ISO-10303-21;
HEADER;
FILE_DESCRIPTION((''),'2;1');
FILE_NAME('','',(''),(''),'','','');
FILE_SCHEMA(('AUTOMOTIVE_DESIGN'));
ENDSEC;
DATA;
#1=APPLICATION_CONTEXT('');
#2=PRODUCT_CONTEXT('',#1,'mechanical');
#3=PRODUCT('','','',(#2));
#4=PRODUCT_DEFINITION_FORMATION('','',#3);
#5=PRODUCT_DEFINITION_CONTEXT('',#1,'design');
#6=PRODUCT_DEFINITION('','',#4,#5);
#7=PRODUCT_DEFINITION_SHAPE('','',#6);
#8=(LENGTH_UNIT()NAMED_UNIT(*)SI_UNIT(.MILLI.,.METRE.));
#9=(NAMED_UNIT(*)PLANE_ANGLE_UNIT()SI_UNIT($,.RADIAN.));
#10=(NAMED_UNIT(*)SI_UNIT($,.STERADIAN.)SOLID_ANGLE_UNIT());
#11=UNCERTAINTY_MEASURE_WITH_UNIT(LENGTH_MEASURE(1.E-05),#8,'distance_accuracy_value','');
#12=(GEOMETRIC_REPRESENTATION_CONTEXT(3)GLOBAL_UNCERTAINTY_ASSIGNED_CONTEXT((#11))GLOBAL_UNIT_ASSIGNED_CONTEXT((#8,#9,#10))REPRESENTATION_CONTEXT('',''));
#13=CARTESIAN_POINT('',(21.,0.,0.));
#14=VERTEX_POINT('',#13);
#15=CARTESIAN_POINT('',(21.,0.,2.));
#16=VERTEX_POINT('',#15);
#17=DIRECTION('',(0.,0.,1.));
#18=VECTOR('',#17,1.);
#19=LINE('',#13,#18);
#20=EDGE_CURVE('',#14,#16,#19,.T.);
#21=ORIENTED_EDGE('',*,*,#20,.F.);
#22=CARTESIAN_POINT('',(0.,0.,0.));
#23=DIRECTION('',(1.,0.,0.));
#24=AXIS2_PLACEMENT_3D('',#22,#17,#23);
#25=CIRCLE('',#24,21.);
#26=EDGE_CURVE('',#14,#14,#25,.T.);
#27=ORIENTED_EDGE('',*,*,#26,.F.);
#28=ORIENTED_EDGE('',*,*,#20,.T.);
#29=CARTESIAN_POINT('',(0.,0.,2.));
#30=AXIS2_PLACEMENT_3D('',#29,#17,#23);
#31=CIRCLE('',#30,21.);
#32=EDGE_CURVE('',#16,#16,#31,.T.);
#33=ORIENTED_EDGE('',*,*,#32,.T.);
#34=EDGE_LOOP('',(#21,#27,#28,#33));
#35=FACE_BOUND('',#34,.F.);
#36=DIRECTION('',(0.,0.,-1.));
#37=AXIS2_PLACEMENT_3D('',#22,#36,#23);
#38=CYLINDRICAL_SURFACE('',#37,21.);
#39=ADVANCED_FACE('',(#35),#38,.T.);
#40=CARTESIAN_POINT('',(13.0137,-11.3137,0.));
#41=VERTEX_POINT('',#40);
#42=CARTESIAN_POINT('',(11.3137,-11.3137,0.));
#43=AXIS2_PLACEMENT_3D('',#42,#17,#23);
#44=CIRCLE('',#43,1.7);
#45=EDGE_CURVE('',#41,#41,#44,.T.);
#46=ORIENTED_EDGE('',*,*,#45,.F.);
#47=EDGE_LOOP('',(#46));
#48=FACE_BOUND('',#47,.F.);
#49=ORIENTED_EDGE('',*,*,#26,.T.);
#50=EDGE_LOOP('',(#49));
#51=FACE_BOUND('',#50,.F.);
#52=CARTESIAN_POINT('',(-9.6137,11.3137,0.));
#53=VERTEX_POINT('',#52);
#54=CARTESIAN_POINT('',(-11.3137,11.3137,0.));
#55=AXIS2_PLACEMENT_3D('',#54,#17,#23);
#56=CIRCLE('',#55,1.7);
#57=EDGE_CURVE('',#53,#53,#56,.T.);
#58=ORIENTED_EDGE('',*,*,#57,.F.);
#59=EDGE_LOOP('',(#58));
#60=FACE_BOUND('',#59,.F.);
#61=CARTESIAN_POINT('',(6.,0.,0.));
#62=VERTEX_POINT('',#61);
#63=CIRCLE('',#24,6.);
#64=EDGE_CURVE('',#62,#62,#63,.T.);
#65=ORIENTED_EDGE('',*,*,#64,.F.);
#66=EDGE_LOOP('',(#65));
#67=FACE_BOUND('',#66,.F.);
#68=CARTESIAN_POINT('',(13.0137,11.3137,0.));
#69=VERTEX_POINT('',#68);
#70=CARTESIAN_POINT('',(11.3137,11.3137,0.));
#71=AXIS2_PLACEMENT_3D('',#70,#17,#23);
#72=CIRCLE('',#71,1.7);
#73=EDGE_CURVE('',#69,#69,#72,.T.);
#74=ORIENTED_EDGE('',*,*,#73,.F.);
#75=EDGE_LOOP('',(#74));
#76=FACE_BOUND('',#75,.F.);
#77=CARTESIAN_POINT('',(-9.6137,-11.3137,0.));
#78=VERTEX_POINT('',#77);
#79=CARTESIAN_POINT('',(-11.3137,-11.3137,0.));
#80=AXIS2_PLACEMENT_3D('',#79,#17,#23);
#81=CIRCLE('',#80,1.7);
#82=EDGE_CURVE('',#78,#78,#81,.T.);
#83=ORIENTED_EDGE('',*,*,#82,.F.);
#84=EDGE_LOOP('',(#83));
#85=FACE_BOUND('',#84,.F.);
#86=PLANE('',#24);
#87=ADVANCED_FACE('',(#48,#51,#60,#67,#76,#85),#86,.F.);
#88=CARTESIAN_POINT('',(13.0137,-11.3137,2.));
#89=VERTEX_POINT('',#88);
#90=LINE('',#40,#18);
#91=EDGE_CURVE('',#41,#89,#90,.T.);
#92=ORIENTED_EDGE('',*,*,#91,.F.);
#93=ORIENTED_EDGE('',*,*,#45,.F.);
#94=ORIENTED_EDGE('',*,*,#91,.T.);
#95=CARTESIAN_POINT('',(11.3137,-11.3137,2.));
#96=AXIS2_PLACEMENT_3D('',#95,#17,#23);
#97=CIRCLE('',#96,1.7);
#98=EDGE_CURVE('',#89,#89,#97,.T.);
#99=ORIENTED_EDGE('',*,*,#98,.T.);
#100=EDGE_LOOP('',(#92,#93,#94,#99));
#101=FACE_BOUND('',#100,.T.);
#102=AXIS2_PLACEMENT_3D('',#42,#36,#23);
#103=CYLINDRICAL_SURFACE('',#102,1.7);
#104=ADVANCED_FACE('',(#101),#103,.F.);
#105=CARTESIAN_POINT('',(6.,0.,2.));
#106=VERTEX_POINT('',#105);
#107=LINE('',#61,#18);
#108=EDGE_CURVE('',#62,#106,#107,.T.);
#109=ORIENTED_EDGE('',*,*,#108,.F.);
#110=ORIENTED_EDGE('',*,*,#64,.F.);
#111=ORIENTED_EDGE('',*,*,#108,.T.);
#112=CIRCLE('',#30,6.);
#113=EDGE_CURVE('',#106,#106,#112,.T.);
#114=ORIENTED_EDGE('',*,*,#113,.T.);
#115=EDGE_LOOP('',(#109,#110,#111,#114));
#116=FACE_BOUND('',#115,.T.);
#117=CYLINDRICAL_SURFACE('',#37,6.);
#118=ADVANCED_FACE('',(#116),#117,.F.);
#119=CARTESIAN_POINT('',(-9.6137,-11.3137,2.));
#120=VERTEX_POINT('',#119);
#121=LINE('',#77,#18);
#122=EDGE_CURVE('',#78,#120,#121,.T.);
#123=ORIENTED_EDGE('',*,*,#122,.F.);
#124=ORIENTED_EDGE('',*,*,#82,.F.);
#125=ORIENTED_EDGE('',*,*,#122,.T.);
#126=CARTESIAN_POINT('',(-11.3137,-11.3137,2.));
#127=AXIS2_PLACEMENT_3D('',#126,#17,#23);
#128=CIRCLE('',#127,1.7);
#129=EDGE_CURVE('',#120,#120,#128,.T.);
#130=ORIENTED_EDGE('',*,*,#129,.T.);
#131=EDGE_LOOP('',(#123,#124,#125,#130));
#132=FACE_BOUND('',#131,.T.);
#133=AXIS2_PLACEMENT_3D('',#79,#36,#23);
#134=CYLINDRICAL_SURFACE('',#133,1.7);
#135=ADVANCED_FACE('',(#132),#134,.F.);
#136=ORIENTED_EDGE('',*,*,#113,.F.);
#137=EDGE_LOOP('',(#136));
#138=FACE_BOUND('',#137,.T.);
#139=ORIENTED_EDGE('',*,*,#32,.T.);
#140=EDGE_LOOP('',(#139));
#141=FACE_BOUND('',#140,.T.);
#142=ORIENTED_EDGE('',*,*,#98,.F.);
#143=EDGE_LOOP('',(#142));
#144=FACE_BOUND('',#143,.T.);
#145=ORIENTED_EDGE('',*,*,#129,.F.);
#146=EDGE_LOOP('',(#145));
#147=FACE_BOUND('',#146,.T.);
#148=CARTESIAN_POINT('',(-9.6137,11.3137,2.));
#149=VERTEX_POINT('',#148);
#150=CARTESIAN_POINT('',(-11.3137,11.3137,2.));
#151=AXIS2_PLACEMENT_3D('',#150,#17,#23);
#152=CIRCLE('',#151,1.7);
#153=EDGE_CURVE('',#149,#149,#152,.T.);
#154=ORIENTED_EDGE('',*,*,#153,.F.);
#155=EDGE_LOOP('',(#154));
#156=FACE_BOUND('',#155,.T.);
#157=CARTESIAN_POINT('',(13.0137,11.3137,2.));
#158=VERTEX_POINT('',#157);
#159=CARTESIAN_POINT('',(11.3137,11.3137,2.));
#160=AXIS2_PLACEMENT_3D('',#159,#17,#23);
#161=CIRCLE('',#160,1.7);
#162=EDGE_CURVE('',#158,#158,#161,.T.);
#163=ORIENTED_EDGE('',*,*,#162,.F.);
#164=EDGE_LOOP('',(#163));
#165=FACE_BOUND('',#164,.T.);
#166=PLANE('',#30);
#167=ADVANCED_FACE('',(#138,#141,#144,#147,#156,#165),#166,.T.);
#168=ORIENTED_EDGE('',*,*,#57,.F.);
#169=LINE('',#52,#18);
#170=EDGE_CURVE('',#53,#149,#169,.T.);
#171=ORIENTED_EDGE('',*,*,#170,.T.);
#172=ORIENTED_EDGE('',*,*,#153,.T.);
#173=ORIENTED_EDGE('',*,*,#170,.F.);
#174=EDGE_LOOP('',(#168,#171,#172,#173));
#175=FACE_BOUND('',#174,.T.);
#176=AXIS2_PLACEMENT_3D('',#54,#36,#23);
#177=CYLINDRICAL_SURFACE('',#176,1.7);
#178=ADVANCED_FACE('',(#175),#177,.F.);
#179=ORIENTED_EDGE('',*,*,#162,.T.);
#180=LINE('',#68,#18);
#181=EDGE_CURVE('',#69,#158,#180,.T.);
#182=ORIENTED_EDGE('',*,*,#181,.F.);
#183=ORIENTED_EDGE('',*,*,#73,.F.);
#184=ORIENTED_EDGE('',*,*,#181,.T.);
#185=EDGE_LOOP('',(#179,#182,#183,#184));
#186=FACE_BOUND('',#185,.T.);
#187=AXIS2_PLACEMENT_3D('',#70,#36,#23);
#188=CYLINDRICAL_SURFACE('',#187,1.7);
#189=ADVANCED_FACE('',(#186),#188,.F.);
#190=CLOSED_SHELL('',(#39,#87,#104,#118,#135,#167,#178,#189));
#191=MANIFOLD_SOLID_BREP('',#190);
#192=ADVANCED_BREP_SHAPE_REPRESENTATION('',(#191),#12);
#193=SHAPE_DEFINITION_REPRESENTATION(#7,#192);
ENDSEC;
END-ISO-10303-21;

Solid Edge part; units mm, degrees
sketch "Sketch1" plane through (0, 0, 0) normal (0, 0, 1) x (1, 0, 0)
  circle A0 centre (0, 0) radius 21
  circle A1 centre (0, 0) radius 6
  circle A2 centre (11.3137, 11.3137) radius 1.7
  circle A3 centre (-11.3137, 11.3137) radius 1.7
  circle A4 centre (-11.3137, -11.3137) radius 1.7
  circle A5 centre (11.3137, -11.3137) radius 1.7
extrude "Protrusion1" add sketch "Sketch1" along normal blind 2
